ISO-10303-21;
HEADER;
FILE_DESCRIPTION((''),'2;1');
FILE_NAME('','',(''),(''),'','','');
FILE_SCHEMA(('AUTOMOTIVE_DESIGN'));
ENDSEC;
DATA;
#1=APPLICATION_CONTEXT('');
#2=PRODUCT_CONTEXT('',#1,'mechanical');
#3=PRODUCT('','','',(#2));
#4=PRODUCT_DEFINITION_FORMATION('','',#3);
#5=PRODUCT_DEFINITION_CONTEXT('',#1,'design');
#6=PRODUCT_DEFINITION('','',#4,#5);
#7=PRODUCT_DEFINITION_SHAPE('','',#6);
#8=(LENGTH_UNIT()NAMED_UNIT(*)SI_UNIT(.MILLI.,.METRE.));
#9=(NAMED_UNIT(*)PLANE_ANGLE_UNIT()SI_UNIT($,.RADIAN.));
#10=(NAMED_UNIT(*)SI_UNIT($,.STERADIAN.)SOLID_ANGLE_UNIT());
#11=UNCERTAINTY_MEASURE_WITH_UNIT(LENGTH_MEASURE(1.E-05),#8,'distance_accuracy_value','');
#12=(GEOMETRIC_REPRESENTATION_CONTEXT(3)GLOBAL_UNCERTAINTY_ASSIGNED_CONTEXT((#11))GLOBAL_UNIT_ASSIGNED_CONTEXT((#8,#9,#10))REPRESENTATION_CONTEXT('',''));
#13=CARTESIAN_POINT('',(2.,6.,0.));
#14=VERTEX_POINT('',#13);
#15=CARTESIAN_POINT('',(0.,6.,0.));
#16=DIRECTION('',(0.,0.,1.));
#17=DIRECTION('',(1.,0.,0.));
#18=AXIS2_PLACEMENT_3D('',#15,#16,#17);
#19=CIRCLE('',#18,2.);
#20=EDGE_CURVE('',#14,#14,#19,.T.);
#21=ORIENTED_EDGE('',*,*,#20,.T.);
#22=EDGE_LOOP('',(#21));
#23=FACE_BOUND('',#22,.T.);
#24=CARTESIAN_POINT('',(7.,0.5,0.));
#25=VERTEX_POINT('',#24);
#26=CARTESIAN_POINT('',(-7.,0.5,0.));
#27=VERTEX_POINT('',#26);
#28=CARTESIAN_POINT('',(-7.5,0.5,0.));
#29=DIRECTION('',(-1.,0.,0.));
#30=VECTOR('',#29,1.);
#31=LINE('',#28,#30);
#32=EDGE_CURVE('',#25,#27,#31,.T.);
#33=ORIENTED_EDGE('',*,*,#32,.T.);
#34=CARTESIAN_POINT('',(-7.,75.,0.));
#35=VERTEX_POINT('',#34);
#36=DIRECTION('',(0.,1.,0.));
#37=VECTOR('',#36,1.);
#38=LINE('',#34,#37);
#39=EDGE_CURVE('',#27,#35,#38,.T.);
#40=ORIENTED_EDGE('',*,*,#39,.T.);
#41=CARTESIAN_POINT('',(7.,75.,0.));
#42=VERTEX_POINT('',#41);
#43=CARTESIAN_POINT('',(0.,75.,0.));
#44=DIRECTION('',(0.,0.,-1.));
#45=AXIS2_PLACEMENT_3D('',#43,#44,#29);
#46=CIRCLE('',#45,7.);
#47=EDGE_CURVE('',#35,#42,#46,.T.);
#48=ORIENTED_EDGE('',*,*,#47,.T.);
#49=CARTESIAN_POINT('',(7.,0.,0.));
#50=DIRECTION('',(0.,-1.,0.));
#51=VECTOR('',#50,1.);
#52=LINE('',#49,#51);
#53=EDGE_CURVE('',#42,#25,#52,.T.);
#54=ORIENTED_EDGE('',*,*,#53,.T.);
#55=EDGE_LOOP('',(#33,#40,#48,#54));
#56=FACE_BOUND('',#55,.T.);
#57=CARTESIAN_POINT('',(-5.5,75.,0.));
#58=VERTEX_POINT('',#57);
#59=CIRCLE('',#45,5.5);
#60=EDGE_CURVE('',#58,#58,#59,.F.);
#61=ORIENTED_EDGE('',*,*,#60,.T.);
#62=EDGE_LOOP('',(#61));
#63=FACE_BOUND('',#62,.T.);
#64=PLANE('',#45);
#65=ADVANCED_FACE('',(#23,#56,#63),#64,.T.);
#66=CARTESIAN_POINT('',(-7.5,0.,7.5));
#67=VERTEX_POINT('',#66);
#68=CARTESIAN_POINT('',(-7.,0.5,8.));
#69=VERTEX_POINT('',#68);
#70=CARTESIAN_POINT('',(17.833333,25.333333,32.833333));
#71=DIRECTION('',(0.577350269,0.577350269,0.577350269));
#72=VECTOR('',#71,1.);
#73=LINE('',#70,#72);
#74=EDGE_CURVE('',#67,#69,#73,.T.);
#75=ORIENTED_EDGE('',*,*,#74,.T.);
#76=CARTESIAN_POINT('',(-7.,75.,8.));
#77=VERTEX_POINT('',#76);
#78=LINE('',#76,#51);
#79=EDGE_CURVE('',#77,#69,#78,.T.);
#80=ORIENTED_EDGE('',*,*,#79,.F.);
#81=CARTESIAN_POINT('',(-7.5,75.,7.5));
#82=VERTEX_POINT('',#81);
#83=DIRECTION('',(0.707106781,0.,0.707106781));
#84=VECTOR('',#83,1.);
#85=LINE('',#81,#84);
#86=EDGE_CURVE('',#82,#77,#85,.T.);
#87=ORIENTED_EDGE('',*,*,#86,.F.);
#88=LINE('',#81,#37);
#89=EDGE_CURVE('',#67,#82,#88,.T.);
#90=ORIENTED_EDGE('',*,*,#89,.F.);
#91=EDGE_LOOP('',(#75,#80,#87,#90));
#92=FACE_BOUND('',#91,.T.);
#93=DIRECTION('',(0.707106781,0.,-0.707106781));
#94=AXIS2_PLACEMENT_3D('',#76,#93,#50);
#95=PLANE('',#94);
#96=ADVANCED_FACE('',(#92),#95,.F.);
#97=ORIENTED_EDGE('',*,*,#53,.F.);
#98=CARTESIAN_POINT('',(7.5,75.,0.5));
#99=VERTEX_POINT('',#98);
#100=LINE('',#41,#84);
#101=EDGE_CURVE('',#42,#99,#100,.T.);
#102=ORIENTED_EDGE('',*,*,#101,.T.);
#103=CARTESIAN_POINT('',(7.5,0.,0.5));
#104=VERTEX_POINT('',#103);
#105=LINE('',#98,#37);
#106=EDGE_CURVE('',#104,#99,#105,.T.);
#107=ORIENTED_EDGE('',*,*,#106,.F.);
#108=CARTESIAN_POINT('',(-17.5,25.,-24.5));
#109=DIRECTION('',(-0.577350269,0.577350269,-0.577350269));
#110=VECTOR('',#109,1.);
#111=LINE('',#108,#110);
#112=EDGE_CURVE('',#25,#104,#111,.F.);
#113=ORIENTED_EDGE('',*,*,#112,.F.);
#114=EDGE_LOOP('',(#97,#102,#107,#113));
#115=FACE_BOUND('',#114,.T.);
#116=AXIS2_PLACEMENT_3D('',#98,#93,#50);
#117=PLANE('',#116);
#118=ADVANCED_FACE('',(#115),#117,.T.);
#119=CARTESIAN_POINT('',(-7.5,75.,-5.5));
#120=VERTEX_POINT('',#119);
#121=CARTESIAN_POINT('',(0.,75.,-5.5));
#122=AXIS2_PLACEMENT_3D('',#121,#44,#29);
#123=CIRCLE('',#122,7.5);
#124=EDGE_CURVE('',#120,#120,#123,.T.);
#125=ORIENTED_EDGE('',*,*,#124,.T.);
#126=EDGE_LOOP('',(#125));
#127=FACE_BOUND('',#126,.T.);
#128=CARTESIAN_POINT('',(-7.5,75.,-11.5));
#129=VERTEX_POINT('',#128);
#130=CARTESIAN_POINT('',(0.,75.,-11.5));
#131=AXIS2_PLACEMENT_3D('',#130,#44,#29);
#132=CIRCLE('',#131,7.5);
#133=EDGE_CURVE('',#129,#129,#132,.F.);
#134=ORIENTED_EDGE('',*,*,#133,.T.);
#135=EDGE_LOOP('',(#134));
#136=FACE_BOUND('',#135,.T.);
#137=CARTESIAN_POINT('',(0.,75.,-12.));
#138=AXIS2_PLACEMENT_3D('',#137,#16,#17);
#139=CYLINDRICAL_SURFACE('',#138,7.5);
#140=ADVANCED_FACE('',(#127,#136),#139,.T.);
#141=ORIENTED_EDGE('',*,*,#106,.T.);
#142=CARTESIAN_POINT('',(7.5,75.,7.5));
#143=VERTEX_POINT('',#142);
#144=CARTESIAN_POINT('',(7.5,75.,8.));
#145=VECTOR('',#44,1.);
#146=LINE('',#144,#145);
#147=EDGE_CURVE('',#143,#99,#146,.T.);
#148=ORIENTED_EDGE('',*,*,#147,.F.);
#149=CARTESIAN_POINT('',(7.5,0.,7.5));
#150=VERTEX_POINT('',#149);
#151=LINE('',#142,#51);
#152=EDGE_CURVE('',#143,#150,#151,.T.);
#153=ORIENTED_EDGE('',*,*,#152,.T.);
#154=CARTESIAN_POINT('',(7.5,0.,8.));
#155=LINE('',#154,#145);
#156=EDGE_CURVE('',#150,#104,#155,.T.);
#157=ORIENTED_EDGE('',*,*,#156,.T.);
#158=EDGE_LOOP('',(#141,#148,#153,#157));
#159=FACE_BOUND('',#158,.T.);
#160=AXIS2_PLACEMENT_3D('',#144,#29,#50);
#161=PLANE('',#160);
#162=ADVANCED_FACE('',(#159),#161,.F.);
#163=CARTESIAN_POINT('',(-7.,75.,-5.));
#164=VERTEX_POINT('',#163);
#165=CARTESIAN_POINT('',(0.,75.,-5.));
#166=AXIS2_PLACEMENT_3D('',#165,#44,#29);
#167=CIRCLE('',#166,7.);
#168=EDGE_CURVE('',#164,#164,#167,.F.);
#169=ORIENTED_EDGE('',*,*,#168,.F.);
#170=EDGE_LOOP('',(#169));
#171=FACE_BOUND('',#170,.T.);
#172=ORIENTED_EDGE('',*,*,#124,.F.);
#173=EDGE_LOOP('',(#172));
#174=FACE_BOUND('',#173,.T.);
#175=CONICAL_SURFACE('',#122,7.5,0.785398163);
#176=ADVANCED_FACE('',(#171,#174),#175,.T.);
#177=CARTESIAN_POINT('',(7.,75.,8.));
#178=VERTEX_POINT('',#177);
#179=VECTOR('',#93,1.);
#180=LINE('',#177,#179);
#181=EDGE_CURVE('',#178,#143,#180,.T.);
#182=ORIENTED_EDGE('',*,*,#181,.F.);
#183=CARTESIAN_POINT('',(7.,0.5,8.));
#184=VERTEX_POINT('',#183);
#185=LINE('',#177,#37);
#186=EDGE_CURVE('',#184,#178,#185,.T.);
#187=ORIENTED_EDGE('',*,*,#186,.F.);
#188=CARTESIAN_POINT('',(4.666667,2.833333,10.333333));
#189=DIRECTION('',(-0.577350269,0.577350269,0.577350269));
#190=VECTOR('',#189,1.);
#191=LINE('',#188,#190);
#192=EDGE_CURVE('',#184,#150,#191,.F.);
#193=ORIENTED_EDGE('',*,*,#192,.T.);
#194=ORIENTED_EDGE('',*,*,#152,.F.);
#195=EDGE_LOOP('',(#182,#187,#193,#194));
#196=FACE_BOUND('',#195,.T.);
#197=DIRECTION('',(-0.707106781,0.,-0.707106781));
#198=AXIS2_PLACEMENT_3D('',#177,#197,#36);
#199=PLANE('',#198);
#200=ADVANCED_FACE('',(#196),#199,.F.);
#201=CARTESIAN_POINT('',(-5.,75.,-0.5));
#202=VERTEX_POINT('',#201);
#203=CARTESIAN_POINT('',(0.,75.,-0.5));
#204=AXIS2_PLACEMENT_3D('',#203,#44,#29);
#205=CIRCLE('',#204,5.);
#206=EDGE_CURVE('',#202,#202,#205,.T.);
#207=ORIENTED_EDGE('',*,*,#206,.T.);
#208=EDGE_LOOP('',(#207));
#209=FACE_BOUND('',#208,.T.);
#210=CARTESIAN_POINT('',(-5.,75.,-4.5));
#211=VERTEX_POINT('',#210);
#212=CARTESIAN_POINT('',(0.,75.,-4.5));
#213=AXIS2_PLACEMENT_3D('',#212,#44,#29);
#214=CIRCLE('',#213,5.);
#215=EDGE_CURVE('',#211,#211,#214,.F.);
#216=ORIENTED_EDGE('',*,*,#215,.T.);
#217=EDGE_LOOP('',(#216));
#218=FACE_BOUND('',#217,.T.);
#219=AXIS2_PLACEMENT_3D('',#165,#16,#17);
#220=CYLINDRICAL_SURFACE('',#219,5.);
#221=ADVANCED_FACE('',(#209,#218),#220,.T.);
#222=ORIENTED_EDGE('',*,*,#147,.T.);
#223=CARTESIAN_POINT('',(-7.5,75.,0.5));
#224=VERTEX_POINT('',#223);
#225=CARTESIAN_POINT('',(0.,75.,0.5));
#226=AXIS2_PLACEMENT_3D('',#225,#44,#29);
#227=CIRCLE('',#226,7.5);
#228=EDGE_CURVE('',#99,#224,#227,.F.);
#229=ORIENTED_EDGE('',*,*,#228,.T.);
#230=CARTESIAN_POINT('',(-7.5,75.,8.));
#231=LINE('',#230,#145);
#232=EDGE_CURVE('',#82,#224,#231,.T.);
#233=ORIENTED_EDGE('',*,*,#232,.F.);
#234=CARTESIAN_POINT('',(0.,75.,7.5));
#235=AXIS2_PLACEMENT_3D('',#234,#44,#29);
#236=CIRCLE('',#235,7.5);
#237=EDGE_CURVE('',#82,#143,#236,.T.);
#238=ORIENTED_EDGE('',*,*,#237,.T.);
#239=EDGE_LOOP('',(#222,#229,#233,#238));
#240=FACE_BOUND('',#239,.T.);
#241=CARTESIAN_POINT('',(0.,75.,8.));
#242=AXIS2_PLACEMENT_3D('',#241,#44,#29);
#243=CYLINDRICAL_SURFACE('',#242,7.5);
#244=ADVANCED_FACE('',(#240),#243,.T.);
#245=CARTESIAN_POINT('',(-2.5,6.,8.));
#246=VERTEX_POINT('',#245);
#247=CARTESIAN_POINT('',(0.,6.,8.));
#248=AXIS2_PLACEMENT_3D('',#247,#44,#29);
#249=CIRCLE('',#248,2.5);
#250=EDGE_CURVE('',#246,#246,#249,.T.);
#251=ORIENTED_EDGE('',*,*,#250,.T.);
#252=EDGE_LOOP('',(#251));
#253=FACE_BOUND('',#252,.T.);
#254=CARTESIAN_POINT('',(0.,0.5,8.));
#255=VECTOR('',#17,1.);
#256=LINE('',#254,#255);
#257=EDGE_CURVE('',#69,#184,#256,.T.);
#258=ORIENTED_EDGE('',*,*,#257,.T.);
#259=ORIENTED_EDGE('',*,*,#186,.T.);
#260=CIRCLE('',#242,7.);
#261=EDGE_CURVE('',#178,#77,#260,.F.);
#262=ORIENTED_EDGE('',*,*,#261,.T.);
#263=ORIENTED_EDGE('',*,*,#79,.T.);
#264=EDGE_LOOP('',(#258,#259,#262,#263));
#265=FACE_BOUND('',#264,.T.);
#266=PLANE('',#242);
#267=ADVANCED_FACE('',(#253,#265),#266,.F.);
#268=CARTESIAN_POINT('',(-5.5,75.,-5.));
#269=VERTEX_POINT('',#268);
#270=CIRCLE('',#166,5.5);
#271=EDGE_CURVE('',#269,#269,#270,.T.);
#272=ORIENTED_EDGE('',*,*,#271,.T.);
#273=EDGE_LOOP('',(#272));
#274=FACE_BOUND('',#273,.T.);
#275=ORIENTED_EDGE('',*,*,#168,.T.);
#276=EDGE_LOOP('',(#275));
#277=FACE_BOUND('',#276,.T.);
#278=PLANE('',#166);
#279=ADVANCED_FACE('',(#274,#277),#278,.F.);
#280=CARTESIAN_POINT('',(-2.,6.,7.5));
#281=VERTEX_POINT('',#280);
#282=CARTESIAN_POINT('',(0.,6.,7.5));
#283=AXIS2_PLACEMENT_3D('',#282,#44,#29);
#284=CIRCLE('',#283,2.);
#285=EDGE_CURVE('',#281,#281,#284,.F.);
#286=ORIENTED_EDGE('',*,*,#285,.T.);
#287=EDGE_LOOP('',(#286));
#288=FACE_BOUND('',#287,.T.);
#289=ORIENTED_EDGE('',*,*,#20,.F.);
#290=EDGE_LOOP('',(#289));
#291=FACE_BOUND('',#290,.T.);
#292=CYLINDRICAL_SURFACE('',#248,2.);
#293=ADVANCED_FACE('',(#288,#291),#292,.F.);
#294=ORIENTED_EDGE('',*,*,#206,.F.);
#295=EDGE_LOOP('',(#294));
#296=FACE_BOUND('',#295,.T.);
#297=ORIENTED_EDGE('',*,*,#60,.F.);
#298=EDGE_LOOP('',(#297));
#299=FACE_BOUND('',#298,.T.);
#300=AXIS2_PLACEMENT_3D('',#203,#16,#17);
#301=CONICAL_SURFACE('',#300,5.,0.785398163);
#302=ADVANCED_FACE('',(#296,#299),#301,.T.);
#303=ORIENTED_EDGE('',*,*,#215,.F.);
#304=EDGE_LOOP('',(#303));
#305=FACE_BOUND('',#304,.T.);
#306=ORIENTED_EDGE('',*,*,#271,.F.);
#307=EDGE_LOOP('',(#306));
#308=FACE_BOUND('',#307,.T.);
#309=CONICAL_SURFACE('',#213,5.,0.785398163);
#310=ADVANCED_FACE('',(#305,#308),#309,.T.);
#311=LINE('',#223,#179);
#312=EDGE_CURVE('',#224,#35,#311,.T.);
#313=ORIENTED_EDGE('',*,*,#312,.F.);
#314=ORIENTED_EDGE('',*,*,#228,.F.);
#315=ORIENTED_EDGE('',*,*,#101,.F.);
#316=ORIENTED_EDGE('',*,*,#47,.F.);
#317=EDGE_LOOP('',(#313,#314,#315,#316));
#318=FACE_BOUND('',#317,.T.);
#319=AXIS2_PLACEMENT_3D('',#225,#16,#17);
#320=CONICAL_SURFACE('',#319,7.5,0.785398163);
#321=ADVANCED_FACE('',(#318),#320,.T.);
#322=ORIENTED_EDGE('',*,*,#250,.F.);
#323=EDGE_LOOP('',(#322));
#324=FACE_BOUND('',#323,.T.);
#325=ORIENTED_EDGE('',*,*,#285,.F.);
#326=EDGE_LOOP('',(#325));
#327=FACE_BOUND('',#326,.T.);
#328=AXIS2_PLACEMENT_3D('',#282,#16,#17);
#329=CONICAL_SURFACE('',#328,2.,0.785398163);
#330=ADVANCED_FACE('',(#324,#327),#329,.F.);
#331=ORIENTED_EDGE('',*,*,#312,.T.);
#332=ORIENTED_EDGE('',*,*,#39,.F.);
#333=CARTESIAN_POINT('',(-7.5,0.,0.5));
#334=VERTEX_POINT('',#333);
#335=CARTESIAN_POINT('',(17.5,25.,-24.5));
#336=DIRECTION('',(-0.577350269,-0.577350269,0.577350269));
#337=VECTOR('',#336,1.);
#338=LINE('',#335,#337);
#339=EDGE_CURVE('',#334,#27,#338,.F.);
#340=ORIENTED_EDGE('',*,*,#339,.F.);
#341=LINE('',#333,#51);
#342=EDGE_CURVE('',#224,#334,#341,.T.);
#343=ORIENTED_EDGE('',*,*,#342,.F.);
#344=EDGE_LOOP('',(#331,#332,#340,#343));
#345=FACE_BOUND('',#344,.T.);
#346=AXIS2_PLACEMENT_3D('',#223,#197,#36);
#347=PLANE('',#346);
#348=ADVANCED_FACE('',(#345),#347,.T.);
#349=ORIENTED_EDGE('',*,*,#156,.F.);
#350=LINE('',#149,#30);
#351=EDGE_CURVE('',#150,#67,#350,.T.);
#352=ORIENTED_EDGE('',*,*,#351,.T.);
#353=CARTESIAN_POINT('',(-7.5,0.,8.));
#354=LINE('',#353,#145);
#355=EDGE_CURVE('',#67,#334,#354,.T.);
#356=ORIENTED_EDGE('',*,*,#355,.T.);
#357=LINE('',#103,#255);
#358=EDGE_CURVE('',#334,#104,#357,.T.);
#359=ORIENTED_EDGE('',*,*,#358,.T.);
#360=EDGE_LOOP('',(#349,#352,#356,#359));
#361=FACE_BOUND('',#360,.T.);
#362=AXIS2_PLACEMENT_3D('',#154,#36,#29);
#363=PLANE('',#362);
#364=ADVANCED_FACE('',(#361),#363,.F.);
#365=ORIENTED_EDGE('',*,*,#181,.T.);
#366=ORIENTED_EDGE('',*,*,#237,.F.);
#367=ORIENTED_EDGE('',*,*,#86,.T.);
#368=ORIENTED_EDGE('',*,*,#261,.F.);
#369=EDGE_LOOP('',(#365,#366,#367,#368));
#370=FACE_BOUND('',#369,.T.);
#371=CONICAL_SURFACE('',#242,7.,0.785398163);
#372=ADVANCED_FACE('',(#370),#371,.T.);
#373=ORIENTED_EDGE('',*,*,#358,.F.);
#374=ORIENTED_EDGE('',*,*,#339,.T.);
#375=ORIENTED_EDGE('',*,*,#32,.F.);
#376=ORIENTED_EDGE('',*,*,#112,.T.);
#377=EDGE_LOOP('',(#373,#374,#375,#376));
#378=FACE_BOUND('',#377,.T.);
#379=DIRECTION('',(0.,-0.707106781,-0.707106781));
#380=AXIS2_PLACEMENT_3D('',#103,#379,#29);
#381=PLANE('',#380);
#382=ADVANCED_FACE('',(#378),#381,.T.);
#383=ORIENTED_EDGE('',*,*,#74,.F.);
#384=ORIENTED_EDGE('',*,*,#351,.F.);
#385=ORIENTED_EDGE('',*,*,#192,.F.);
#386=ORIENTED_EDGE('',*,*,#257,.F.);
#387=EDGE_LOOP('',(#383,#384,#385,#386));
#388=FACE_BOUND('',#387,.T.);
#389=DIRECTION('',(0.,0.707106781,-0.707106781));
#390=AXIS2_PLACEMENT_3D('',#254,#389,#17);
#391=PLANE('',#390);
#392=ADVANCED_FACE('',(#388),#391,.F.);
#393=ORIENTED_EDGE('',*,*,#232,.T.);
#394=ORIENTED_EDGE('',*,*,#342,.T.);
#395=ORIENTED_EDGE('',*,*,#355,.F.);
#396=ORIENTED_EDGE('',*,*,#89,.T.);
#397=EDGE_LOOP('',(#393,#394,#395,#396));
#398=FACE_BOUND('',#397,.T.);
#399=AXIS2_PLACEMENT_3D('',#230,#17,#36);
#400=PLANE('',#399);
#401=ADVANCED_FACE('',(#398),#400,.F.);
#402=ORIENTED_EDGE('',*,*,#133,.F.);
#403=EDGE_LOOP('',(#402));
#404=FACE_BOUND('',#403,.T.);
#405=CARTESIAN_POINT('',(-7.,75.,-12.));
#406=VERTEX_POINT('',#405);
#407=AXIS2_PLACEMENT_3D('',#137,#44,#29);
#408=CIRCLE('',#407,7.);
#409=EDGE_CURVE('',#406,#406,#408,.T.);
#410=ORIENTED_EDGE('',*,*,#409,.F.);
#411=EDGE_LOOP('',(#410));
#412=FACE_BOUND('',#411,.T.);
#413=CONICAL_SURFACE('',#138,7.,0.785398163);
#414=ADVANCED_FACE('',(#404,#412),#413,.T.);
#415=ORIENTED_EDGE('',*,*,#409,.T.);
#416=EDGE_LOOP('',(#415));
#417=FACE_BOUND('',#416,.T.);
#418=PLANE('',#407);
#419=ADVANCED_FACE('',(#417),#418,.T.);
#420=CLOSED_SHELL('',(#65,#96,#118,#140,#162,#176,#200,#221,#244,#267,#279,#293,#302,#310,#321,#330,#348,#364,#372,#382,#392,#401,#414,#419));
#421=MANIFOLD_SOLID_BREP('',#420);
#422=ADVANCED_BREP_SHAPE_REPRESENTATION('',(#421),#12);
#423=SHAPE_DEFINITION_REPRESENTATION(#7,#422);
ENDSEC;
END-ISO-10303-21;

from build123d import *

# Parameters (mm, degrees)
SKETCH3_R           = 2
BOSS_EXTRUDE1_DEPTH = 8
SKETCH4_R           = 5
BOSS_EXTRUDE2_DEPTH = 5
BOSS_EXTRUDE3_START = 7
SKETCH5_R           = 7.5
BOSS_EXTRUDE3_DEPTH = 7
CHAMFER1_SIZE       = 0.5


with BuildPart() as part:
    # Sketch3 → Boss-Extrude1 (new body)
    with BuildSketch(Plane.XY):
        with BuildLine():
            Line((7.5, 75), (7.5, 0))
            Line((7.5, 0), (-7.5, 0))
            Line((-7.5, 0), (-7.5, 75))
            ThreePointArc((-7.5, 75), (0, 82.5), (7.5, 75))
        make_face()
        with Locations((0, 6)):
            Circle(SKETCH3_R, mode=Mode.SUBTRACT)
    extrude(amount=BOSS_EXTRUDE1_DEPTH)

    # Sketch4 → Boss-Extrude2 (add)
    with BuildSketch(Plane.XY):
        with Locations((0, 75)):
            Circle(SKETCH4_R)
    extrude(amount=-BOSS_EXTRUDE2_DEPTH)

    # Sketch5 → Boss-Extrude3 (add)
    with BuildSketch(Plane(origin=(0, 0, -5), x_dir=(-1, 0, 0), z_dir=(0, 0, -1)).offset(BOSS_EXTRUDE3_START)):
        with Locations((0, 75)):
            Circle(SKETCH5_R)
    extrude(amount=-BOSS_EXTRUDE3_DEPTH)

    # Chamfer1
    chamfer1_edges = [part.edges().sort_by_distance(p)[0] for p in [
        (-2, 6, 8),
        (7.5, 37.5, 8),
        (0, 82.5, 8),
        (-5, 75, 0),
        (-5, 75, -5),
        (7.5, 75, -5),
        (7.5, 75, -12),
        (-7.5, 37.5, 8),
        (0, 82.5, 0),
        (7.5, 37.5, 0),
        (0, 0, 0),
        (-7.5, 37.5, 0),
        (0, 0, 8),
    ]]
    chamfer(chamfer1_edges, length=CHAMFER1_SIZE)


solid = part.part
